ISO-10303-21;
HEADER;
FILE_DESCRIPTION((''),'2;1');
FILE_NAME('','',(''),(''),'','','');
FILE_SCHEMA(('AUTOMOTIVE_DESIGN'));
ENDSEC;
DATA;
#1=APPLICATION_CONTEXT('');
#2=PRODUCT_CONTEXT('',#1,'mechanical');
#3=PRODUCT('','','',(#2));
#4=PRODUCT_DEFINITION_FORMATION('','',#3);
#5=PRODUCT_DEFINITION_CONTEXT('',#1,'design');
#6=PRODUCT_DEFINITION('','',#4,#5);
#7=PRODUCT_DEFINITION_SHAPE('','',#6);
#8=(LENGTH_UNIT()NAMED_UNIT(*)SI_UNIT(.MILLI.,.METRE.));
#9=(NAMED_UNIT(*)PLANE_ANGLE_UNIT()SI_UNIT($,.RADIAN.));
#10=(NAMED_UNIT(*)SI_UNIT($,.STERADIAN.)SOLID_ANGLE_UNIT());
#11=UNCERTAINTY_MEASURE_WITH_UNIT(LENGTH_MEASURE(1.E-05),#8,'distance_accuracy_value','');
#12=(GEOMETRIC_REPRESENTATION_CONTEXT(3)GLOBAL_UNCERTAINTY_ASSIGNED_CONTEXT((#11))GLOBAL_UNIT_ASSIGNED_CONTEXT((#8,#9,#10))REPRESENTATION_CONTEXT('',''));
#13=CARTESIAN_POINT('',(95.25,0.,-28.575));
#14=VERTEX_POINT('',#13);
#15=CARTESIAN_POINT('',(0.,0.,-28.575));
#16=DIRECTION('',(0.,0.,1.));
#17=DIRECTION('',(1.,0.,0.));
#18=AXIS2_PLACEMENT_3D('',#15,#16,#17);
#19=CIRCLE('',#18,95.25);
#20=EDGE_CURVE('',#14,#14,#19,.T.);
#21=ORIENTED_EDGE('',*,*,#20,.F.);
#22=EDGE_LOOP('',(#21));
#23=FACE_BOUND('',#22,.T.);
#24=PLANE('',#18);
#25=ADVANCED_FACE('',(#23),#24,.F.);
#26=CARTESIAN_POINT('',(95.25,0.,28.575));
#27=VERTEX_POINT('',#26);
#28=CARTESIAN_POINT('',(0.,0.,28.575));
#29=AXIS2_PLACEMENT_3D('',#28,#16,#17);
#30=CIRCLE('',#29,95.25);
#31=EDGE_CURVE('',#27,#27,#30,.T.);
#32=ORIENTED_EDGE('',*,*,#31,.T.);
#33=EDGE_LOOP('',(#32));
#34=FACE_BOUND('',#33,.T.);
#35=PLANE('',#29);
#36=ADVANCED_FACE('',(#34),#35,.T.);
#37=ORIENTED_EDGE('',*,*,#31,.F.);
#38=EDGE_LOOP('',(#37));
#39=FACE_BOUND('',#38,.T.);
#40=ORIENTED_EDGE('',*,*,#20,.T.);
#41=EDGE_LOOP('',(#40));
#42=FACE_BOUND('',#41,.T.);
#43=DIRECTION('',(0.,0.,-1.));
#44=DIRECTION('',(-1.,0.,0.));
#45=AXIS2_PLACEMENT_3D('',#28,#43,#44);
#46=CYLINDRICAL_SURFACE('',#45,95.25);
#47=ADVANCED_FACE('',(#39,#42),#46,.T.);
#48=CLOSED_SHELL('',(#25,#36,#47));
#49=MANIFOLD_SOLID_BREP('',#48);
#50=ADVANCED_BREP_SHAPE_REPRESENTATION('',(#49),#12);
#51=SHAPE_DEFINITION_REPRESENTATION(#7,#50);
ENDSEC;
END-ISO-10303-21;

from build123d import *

# Parameters (mm, degrees)
SKETCH1_R           = 95.25
BOSS_EXTRUDE1_DEPTH = 28.575


with BuildPart() as part:
    # Sketch1 → Boss-Extrude1 (new, symmetric)
    with BuildSketch(Plane(origin=(0, 0, 0), x_dir=(0, 1, 0), z_dir=(0, 0, 1))):
        with Locations(Location((0, 0, 0), (0, 0, 270))):
            Circle(SKETCH1_R)
    extrude(amount=BOSS_EXTRUDE1_DEPTH, both=True)


solid = part.part
